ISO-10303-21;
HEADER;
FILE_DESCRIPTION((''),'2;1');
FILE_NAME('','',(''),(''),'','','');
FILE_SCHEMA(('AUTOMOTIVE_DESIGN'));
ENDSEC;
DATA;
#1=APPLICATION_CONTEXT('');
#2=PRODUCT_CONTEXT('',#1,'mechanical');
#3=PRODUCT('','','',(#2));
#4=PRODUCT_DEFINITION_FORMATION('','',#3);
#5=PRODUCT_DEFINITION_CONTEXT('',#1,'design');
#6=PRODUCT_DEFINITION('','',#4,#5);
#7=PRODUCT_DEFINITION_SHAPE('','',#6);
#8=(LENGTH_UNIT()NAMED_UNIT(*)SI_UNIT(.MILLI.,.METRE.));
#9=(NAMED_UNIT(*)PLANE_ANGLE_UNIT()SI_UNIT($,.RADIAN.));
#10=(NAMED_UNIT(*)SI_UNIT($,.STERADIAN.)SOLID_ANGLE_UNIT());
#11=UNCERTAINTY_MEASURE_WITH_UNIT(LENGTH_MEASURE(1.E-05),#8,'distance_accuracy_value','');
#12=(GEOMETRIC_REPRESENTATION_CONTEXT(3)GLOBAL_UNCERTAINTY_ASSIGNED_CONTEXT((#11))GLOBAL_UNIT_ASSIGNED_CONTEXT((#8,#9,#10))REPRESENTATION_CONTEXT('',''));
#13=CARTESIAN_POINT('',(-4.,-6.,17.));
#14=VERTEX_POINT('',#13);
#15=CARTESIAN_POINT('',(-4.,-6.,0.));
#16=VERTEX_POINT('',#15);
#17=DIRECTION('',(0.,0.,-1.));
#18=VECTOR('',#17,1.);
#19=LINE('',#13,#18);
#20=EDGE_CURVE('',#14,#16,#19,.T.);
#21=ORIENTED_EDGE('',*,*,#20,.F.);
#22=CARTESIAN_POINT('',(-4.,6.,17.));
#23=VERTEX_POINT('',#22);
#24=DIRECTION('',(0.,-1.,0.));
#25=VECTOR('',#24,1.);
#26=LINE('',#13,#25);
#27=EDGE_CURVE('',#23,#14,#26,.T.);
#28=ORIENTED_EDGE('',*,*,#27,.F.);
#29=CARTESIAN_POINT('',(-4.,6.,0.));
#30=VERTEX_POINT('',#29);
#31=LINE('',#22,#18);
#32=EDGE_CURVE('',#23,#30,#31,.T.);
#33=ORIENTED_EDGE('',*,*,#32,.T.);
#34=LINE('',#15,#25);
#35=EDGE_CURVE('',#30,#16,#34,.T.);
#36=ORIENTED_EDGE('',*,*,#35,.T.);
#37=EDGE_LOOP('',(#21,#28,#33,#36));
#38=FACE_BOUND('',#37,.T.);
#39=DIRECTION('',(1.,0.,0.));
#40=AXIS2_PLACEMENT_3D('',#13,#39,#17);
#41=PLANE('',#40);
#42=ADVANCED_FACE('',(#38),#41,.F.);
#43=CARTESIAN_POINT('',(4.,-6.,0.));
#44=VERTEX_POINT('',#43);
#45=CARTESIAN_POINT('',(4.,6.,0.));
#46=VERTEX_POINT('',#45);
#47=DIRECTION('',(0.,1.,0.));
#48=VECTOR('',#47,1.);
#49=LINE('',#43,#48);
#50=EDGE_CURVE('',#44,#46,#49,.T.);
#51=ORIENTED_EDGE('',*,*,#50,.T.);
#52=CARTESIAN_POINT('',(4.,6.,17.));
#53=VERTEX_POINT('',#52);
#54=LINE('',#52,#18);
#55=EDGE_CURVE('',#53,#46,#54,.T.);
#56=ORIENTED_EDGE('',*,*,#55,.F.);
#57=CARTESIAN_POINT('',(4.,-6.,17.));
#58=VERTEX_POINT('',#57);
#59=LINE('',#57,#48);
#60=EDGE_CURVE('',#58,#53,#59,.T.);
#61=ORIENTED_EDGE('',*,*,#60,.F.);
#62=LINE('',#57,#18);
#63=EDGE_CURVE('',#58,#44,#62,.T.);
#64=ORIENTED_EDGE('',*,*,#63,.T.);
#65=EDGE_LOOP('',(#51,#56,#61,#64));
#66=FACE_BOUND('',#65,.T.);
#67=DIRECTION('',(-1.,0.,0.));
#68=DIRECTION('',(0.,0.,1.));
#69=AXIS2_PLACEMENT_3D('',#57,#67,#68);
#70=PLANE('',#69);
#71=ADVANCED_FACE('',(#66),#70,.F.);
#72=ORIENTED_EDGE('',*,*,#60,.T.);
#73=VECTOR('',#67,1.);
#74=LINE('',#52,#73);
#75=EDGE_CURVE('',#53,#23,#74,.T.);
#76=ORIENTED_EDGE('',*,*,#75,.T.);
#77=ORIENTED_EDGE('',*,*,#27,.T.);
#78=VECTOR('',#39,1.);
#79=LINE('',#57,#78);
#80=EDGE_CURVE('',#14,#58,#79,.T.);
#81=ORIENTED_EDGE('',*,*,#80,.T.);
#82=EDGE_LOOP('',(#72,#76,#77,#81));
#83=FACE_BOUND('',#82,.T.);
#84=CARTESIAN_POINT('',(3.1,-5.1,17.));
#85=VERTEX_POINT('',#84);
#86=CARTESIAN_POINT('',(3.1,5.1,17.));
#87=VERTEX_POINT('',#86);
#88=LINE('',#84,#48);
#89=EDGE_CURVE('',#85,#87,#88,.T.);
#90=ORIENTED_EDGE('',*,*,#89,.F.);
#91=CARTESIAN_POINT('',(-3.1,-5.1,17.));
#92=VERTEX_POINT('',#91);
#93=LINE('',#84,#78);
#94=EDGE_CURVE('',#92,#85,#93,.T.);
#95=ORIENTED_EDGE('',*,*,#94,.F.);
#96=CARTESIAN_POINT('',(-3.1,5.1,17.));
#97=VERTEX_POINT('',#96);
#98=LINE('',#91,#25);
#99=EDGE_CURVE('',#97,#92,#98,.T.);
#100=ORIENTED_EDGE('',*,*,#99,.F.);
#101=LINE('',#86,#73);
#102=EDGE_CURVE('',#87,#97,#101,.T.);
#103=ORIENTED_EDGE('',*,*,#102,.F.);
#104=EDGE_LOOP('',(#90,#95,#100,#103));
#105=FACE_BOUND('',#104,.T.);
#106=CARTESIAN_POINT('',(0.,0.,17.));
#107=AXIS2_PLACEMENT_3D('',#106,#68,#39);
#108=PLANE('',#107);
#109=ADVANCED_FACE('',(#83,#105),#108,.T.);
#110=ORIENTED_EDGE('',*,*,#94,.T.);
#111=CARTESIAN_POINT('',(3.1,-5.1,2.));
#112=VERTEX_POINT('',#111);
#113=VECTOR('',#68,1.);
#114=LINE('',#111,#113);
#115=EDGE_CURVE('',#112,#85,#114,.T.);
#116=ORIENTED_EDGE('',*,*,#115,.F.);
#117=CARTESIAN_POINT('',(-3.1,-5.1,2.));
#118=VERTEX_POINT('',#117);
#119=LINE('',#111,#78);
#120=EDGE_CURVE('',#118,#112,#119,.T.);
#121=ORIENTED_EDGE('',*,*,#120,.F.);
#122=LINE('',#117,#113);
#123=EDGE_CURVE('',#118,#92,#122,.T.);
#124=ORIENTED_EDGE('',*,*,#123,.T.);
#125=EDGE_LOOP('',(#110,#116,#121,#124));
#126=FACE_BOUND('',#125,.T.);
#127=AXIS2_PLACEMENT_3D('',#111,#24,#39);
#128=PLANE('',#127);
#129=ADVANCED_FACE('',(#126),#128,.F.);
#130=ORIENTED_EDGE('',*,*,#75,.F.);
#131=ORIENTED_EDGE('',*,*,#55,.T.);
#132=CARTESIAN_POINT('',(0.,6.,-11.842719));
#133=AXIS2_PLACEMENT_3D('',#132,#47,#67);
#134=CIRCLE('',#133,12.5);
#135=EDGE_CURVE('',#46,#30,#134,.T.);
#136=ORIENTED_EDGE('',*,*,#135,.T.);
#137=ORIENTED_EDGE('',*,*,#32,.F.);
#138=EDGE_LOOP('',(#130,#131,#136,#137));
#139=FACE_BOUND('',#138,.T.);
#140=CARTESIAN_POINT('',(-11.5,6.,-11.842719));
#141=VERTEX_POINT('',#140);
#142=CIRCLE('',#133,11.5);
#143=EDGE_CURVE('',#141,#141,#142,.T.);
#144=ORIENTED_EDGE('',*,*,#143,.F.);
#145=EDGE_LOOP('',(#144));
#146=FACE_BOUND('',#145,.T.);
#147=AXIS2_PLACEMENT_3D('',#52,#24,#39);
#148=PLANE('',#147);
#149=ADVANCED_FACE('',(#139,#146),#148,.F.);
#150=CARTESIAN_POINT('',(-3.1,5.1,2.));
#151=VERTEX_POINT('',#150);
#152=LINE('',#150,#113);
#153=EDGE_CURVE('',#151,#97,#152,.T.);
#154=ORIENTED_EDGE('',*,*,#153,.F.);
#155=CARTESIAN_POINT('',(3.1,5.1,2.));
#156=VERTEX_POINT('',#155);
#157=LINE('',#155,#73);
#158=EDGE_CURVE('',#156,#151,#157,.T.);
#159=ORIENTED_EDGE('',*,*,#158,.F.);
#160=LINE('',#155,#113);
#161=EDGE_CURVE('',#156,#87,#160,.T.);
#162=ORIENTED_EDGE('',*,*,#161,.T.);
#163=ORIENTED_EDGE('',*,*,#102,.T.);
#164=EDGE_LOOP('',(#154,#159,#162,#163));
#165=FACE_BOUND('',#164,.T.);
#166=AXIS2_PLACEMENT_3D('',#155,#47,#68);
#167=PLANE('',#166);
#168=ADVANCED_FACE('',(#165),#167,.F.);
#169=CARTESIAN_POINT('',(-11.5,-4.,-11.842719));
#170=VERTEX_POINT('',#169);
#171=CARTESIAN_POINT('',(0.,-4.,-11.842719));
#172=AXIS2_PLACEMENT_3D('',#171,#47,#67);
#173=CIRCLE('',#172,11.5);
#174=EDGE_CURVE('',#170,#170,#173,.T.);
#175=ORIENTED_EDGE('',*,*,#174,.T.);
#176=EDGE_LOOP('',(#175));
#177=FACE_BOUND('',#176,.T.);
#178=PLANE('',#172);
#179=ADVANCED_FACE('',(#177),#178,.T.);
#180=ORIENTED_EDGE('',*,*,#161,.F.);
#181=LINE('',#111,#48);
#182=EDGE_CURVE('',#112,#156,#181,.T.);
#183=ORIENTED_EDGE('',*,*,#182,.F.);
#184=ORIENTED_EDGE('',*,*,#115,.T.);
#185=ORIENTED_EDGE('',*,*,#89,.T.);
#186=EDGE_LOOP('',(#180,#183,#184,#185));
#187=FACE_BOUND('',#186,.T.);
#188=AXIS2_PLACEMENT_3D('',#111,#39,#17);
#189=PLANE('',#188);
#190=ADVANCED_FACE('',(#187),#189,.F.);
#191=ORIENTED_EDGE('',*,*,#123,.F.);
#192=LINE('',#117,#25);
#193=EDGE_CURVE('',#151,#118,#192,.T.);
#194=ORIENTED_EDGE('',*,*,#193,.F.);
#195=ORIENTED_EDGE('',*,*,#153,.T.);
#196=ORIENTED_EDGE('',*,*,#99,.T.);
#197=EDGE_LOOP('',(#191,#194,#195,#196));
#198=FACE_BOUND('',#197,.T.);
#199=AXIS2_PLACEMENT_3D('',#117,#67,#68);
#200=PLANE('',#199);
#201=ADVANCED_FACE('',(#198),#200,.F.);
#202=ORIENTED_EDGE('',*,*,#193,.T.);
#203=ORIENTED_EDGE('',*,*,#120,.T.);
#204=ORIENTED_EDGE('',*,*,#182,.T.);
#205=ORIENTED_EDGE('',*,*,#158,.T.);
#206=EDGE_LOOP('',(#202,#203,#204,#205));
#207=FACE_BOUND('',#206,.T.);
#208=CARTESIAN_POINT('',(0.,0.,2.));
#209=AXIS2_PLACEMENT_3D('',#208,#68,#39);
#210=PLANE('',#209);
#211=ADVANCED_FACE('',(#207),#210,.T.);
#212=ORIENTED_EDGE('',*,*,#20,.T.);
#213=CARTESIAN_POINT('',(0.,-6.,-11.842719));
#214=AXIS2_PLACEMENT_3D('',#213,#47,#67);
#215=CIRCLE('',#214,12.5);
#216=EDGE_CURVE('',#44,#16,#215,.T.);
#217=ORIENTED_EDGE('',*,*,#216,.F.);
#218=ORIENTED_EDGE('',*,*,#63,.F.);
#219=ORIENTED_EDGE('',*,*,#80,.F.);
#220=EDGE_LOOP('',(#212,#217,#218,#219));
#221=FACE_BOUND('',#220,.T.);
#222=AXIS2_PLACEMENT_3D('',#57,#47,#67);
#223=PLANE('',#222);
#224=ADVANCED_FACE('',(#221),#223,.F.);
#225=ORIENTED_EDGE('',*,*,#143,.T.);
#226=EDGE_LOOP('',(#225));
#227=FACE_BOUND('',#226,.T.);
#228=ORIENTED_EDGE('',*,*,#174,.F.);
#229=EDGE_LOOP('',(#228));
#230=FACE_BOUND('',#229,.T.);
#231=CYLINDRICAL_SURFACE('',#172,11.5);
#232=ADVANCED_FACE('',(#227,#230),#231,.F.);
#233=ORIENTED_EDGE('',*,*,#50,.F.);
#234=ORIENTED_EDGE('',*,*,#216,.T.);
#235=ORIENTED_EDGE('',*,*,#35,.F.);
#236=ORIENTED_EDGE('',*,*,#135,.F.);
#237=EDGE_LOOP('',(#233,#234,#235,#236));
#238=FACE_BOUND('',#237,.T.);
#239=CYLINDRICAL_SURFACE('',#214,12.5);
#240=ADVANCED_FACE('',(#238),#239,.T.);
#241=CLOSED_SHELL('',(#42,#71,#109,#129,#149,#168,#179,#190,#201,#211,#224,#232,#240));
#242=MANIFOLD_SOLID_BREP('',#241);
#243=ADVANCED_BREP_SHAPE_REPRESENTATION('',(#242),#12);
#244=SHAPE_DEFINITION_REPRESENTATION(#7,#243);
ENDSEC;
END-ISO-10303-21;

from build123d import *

# Parameters (mm, degrees)
ESBO_O2_W                = 8
ESBO_O2_H                = 12
RESSALTO_EXTRUS_O1_DEPTH = 17
ESBO_O3_W                = 6.2
ESBO_O3_H                = 10.2
CORTE_EXTRUS_O1_DEPTH    = 15
ESBO_O4_R                = 12.5
RESSALTO_EXTRUS_O2_DEPTH = 12
ESBO_O5_R                = 11.5
CORTE_EXTRUS_O2_DEPTH    = 10


with BuildPart() as part:
    # Esboço2 → Ressalto-extrusão1 (new body)
    with BuildSketch(Plane.XY):
        Rectangle(ESBO_O2_W, ESBO_O2_H)
    extrude(amount=RESSALTO_EXTRUS_O1_DEPTH)

    # Esboço3 → Corte-extrusão1 (cut)
    with BuildSketch(Plane.XY.offset(17)):
        Rectangle(ESBO_O3_W, ESBO_O3_H)
    extrude(amount=-CORTE_EXTRUS_O1_DEPTH, mode=Mode.SUBTRACT)

    # Esboço4 → Ressalto-extrusão2 (add)
    with BuildSketch(Plane(origin=(0, 6, 0), x_dir=(1, 0, 0), z_dir=(0, 1, 0))):
        with Locations((0, 11.842719282)):
            Circle(ESBO_O4_R)
    extrude(amount=-RESSALTO_EXTRUS_O2_DEPTH)

    # Esboço5 → Corte-extrusão2 (cut)
    with BuildSketch(Plane(origin=(0, 6, 0), x_dir=(1, 0, 0), z_dir=(0, 1, 0))):
        with Locations(Location((0, 11.842719282, 0), (0, 0, 180))):
            Circle(ESBO_O5_R)
    extrude(amount=-CORTE_EXTRUS_O2_DEPTH, mode=Mode.SUBTRACT)


solid = part.part
